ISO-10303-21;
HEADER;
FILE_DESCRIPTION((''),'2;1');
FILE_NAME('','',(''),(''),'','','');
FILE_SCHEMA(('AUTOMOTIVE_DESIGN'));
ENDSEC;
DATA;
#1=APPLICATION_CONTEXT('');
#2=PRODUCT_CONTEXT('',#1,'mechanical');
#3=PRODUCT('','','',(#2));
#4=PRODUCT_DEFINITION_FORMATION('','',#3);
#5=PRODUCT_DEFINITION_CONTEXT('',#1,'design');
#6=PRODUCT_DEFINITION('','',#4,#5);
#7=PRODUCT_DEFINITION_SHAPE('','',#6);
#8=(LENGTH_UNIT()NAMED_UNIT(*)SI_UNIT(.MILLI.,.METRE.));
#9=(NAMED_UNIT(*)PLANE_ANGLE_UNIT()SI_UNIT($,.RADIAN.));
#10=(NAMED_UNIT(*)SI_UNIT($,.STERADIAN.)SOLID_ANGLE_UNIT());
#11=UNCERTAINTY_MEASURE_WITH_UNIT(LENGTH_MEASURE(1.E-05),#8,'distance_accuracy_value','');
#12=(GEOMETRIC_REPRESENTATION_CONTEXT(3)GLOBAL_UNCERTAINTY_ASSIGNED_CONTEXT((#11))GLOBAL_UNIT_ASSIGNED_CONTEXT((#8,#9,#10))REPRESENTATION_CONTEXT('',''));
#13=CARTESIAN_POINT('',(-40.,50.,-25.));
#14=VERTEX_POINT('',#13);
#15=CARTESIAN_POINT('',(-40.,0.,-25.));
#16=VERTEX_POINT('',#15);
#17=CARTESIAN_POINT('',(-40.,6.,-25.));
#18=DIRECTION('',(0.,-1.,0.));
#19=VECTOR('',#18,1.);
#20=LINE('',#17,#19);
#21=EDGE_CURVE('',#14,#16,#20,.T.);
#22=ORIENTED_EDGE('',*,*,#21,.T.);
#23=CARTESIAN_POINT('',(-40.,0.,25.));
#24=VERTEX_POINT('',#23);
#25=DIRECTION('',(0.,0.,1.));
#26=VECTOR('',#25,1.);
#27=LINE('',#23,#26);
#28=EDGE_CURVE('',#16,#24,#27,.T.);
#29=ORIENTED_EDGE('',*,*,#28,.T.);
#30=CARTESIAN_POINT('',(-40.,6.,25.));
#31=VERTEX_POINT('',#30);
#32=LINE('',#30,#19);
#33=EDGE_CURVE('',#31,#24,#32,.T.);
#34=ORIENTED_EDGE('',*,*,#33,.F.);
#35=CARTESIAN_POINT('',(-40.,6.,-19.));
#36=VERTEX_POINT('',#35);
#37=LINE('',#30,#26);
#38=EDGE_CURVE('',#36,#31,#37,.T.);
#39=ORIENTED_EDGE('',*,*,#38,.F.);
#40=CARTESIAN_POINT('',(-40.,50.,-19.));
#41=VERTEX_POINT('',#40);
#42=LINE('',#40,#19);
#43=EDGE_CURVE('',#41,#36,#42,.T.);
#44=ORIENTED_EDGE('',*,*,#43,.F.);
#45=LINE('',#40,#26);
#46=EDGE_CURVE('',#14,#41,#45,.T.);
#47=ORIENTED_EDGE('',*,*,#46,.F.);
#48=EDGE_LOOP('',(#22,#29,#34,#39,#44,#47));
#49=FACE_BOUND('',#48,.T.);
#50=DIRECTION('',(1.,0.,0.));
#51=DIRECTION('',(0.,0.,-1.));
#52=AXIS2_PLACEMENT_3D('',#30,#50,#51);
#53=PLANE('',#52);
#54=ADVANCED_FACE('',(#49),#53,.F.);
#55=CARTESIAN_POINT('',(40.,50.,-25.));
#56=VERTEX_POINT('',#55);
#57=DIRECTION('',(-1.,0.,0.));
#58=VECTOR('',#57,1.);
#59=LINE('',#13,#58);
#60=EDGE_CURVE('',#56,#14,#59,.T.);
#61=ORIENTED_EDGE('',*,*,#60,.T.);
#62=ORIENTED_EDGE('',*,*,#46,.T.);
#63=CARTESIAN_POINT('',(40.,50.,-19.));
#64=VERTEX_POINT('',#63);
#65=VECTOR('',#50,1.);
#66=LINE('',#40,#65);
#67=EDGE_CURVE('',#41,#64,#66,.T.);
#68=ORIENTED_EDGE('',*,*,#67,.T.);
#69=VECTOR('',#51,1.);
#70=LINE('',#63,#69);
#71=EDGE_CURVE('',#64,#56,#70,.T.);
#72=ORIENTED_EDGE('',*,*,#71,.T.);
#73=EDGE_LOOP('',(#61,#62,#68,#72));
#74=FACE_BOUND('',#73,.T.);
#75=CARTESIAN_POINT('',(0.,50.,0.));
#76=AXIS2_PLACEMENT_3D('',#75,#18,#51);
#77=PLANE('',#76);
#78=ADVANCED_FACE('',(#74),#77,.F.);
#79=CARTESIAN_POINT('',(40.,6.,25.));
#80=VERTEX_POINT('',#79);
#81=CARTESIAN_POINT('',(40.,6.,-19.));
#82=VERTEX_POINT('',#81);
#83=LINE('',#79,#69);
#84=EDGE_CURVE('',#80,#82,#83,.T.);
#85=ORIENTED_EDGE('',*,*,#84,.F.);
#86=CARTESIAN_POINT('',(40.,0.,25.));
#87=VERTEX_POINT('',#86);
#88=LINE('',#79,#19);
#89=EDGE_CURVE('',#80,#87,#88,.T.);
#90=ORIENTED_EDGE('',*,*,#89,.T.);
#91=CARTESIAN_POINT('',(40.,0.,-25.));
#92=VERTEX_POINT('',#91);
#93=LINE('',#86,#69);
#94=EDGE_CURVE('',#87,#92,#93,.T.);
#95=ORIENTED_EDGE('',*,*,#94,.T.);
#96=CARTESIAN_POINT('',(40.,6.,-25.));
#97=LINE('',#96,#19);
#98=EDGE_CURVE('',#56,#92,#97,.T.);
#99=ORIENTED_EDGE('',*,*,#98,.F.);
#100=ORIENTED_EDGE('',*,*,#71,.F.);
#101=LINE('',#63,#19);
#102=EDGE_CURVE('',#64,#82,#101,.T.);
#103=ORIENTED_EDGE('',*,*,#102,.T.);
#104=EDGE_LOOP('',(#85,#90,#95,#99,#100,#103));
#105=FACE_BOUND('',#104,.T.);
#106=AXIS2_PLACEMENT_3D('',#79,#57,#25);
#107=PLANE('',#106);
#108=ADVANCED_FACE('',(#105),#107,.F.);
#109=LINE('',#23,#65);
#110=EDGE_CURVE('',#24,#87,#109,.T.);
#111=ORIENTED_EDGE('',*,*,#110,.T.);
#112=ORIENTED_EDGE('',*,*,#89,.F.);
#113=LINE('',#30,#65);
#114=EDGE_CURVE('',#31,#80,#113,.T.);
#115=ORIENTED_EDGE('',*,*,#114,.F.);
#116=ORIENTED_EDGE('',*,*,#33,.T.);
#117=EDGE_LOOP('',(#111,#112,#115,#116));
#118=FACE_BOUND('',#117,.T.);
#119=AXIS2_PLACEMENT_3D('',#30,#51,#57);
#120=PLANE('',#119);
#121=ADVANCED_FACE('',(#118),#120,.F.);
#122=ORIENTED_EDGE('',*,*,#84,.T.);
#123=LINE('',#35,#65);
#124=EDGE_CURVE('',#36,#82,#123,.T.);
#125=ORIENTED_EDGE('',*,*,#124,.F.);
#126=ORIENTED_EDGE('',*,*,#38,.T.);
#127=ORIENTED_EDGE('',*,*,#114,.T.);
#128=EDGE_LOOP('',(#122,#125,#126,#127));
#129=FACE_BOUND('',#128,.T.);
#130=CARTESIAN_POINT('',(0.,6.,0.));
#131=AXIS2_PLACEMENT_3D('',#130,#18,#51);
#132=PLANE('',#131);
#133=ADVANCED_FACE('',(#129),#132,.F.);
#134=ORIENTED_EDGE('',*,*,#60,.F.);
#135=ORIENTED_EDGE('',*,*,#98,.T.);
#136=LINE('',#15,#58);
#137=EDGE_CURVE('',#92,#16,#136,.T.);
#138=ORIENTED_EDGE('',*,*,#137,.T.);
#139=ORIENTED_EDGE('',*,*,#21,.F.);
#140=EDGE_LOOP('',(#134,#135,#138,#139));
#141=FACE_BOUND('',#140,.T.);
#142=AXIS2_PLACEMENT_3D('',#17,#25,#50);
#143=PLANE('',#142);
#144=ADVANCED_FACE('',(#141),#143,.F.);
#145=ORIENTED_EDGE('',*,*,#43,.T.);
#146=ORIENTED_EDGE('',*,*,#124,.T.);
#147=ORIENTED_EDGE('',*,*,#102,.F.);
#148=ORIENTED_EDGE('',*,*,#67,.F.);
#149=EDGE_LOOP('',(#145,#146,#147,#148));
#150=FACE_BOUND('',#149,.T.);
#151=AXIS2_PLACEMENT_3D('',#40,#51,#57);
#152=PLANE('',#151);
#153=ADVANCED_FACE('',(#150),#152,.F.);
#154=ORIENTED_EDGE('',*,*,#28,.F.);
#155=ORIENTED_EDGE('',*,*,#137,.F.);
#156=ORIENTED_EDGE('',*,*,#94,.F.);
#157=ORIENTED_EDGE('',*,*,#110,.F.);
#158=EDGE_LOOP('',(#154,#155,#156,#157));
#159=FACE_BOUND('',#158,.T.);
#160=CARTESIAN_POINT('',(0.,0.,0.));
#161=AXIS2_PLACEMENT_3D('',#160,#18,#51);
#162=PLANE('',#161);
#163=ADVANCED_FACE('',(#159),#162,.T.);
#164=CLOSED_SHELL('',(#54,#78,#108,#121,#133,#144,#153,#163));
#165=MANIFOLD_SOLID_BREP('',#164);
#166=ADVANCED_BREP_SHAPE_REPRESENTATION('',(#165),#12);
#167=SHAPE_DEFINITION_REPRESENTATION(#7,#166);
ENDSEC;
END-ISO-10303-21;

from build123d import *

# Parameters (mm, degrees)
CROQUIS1_W              = 80
CROQUIS1_H              = 50
SALIENTE_EXTRUIR1_DEPTH = 6
CROQUIS2_W              = 80
CROQUIS2_H              = 6
SALIENTE_EXTRUIR2_DEPTH = 44


with BuildPart() as part:
    # Croquis1 → Saliente-Extruir1 (new body)
    with BuildSketch(Plane(origin=(0, 0, 0), x_dir=(1, 0, 0), z_dir=(0, 1, 0))):
        Rectangle(CROQUIS1_W, CROQUIS1_H)
    extrude(amount=SALIENTE_EXTRUIR1_DEPTH)

    # Croquis2 → Saliente-Extruir2 (add)
    with BuildSketch(Plane(origin=(0, 6, 0), x_dir=(1, 0, 0), z_dir=(0, 1, 0))):
        with Locations((0, 22)):
            Rectangle(CROQUIS2_W, CROQUIS2_H)
    extrude(amount=SALIENTE_EXTRUIR2_DEPTH)


solid = part.part
